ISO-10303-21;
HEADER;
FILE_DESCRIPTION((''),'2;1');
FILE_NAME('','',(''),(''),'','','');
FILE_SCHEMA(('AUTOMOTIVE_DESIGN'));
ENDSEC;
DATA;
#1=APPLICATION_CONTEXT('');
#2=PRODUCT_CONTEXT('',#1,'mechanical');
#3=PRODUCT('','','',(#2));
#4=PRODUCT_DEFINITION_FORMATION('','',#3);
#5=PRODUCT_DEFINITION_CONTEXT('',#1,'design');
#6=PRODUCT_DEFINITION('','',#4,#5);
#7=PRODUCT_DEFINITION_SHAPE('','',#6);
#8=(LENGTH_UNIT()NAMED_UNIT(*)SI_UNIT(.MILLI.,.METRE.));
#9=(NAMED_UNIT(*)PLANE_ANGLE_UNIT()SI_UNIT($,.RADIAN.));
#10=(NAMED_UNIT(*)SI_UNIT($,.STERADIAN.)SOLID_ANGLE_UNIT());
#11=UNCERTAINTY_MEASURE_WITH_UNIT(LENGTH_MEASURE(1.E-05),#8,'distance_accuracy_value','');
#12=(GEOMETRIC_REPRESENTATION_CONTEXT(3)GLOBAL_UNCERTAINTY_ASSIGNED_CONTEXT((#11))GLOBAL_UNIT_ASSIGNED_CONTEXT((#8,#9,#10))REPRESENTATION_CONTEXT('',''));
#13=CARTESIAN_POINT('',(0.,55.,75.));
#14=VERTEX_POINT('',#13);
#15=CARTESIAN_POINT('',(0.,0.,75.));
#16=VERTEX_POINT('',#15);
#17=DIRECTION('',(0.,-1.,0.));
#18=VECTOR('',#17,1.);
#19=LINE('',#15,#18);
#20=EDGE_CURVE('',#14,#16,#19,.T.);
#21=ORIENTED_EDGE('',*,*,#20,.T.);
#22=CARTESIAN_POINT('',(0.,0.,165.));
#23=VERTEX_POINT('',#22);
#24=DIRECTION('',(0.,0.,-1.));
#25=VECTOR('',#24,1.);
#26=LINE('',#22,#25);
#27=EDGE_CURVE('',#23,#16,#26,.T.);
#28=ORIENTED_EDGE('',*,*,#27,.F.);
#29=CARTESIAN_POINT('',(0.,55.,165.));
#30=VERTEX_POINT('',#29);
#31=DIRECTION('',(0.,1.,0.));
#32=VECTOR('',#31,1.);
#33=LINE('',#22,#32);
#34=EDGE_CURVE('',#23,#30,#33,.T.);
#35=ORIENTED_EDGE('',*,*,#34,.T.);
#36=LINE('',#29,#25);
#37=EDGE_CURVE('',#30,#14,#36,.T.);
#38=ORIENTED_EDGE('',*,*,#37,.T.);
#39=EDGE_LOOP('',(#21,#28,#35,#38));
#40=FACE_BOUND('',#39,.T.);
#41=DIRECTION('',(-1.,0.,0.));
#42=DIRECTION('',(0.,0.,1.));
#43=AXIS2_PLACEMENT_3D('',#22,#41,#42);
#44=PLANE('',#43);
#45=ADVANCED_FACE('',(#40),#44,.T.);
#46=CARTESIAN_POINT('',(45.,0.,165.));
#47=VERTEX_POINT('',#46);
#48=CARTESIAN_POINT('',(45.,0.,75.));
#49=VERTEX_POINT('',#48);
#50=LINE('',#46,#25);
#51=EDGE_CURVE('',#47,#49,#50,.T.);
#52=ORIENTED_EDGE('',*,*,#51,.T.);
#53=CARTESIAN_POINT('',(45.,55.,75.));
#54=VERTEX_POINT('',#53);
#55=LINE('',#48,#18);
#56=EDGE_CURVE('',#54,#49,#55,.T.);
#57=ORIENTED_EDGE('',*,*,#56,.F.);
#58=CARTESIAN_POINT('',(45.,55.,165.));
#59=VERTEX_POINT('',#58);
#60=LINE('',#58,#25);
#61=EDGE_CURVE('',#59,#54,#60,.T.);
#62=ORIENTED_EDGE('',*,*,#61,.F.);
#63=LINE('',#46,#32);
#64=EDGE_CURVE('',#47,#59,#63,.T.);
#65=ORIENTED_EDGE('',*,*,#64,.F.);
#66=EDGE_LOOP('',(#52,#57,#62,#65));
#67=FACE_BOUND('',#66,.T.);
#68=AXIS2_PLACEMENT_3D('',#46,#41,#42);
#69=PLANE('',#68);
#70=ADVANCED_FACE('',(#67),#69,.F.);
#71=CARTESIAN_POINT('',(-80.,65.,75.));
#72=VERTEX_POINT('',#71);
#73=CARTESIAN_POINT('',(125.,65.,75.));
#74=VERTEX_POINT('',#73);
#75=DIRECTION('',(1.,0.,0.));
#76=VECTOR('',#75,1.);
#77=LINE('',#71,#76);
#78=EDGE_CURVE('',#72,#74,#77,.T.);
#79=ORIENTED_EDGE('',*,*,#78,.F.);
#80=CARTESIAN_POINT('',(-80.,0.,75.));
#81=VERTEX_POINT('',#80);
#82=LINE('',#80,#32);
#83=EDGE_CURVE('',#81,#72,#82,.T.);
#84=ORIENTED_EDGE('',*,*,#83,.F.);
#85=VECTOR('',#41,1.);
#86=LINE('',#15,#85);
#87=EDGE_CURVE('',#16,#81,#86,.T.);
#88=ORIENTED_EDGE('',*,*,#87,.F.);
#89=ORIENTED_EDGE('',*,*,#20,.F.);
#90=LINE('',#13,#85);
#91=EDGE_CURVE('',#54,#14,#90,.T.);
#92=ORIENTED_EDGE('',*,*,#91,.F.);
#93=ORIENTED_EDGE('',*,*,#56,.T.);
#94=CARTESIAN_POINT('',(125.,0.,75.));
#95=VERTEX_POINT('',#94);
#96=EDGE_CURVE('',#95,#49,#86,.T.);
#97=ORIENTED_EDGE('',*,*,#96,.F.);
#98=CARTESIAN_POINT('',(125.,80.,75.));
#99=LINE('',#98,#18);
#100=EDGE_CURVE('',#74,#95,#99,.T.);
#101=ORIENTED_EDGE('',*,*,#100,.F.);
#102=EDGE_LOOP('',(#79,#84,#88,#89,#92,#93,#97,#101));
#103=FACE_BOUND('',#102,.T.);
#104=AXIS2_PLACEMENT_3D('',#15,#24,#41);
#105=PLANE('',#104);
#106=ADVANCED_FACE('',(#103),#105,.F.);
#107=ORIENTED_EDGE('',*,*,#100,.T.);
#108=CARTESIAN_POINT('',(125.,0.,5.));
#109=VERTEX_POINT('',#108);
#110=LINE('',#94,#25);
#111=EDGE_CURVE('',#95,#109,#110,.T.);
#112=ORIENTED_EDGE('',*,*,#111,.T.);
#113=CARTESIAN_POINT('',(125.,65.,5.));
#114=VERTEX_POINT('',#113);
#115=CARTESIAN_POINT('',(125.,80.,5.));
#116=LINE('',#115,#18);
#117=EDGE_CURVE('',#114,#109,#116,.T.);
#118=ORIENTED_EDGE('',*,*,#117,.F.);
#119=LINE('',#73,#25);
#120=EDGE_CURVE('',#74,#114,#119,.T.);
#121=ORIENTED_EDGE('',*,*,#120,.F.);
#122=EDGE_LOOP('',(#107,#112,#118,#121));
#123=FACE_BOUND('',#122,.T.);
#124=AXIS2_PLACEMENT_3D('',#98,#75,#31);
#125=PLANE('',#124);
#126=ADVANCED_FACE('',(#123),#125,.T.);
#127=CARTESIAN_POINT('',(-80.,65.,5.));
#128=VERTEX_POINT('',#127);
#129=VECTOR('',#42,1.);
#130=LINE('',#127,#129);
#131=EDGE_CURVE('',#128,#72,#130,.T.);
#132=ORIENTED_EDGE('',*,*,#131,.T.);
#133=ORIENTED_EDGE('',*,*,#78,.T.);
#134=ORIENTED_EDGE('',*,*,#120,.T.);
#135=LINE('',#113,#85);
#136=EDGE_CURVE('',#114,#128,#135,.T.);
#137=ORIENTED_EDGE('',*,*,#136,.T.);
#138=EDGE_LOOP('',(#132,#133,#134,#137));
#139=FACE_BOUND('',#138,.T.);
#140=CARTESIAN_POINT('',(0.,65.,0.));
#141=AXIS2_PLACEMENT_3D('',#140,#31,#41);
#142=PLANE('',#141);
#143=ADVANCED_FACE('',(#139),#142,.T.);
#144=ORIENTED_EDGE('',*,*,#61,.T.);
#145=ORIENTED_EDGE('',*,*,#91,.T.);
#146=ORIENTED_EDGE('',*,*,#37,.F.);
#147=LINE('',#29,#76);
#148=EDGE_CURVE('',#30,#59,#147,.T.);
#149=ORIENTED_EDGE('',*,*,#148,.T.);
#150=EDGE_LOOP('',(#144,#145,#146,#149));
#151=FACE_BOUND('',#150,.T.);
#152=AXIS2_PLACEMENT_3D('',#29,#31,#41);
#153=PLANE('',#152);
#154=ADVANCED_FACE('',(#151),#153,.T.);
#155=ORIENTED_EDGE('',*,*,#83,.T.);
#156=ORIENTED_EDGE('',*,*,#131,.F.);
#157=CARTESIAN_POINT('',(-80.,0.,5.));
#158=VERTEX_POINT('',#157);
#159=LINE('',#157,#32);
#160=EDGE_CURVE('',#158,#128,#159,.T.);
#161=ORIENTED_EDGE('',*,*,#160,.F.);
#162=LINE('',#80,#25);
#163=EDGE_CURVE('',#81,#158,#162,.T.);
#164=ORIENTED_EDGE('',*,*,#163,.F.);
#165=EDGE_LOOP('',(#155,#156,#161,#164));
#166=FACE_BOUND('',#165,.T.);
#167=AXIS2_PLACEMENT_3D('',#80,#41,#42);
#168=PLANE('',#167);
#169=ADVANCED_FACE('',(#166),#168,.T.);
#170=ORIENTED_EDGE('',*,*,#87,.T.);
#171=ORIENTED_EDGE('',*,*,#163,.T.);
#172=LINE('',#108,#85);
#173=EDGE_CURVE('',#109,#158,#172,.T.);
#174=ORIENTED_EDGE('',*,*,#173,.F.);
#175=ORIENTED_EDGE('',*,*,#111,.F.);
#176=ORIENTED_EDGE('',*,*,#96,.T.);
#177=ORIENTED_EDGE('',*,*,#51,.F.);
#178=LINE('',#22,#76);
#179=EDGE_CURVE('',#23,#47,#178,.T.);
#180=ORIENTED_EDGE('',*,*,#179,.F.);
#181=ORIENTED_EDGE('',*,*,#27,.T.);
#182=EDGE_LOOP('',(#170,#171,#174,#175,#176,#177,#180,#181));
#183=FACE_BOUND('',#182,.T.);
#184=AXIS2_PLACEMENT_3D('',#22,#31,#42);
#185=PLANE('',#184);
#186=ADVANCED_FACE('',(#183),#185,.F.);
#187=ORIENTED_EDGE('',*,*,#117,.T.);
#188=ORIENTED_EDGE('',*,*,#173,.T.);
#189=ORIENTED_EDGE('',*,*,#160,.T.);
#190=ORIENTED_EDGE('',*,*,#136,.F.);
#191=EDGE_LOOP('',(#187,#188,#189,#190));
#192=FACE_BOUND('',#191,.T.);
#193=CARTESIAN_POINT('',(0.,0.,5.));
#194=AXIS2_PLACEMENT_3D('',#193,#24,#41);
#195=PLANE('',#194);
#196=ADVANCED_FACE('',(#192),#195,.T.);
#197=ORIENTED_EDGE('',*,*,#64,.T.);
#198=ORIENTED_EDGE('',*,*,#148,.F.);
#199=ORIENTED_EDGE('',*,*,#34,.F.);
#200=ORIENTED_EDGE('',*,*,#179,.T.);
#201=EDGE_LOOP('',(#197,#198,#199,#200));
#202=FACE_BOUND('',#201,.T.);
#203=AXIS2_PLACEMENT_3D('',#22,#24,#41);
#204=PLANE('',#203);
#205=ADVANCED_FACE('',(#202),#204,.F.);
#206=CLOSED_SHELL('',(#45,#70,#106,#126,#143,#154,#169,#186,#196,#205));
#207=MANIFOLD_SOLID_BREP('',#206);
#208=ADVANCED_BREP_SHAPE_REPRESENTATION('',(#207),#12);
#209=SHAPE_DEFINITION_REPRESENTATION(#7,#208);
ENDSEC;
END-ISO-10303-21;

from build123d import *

# Parameters (mm, degrees)
SKETCH1_W           = 45
SKETCH1_H           = 55
BOSS_EXTRUDE1_DEPTH = 165
BOSS_EXTRUDE2_DEPTH = 75
SKETCH3_W           = 205
SKETCH3_H           = 80
CUT_EXTRUDE1_DEPTH  = 5
SKETCH4_W           = 205
SKETCH4_H           = 70
CUT_EXTRUDE2_DEPTH  = 15


with BuildPart() as part:
    # Sketch1 → Boss-Extrude1 (new body)
    with BuildSketch(Plane.XY):
        with Locations((22.5, 27.5)):
            Rectangle(SKETCH1_W, SKETCH1_H)
    extrude(amount=BOSS_EXTRUDE1_DEPTH)

    # Sketch2 → Boss-Extrude2 (add)
    with BuildSketch(Plane(origin=(0, 0, 0), x_dir=(-1, 0, 0), z_dir=(0, 0, -1))):
        Polygon((0, 0), (80, 0), (80, 80), (-125, 80), (-125, 0), (-45, 0), align=None)
    extrude(amount=-BOSS_EXTRUDE2_DEPTH)

    # Sketch3 → Cut-Extrude1 (cut)
    with BuildSketch(Plane(origin=(0, 0, 0), x_dir=(-1, 0, 0), z_dir=(0, 0, -1))):
        with Locations((-22.5, 40)):
            Rectangle(SKETCH3_W, SKETCH3_H)
    extrude(amount=-CUT_EXTRUDE1_DEPTH, mode=Mode.SUBTRACT)

    # Sketch4 → Cut-Extrude2 (cut)
    with BuildSketch(Plane(origin=(0, 80, 0), x_dir=(1, 0, 0), z_dir=(0, 1, 0))):
        with Locations((22.5, -40)):
            Rectangle(SKETCH4_W, SKETCH4_H)
    extrude(amount=-CUT_EXTRUDE2_DEPTH, mode=Mode.SUBTRACT)


solid = part.part
